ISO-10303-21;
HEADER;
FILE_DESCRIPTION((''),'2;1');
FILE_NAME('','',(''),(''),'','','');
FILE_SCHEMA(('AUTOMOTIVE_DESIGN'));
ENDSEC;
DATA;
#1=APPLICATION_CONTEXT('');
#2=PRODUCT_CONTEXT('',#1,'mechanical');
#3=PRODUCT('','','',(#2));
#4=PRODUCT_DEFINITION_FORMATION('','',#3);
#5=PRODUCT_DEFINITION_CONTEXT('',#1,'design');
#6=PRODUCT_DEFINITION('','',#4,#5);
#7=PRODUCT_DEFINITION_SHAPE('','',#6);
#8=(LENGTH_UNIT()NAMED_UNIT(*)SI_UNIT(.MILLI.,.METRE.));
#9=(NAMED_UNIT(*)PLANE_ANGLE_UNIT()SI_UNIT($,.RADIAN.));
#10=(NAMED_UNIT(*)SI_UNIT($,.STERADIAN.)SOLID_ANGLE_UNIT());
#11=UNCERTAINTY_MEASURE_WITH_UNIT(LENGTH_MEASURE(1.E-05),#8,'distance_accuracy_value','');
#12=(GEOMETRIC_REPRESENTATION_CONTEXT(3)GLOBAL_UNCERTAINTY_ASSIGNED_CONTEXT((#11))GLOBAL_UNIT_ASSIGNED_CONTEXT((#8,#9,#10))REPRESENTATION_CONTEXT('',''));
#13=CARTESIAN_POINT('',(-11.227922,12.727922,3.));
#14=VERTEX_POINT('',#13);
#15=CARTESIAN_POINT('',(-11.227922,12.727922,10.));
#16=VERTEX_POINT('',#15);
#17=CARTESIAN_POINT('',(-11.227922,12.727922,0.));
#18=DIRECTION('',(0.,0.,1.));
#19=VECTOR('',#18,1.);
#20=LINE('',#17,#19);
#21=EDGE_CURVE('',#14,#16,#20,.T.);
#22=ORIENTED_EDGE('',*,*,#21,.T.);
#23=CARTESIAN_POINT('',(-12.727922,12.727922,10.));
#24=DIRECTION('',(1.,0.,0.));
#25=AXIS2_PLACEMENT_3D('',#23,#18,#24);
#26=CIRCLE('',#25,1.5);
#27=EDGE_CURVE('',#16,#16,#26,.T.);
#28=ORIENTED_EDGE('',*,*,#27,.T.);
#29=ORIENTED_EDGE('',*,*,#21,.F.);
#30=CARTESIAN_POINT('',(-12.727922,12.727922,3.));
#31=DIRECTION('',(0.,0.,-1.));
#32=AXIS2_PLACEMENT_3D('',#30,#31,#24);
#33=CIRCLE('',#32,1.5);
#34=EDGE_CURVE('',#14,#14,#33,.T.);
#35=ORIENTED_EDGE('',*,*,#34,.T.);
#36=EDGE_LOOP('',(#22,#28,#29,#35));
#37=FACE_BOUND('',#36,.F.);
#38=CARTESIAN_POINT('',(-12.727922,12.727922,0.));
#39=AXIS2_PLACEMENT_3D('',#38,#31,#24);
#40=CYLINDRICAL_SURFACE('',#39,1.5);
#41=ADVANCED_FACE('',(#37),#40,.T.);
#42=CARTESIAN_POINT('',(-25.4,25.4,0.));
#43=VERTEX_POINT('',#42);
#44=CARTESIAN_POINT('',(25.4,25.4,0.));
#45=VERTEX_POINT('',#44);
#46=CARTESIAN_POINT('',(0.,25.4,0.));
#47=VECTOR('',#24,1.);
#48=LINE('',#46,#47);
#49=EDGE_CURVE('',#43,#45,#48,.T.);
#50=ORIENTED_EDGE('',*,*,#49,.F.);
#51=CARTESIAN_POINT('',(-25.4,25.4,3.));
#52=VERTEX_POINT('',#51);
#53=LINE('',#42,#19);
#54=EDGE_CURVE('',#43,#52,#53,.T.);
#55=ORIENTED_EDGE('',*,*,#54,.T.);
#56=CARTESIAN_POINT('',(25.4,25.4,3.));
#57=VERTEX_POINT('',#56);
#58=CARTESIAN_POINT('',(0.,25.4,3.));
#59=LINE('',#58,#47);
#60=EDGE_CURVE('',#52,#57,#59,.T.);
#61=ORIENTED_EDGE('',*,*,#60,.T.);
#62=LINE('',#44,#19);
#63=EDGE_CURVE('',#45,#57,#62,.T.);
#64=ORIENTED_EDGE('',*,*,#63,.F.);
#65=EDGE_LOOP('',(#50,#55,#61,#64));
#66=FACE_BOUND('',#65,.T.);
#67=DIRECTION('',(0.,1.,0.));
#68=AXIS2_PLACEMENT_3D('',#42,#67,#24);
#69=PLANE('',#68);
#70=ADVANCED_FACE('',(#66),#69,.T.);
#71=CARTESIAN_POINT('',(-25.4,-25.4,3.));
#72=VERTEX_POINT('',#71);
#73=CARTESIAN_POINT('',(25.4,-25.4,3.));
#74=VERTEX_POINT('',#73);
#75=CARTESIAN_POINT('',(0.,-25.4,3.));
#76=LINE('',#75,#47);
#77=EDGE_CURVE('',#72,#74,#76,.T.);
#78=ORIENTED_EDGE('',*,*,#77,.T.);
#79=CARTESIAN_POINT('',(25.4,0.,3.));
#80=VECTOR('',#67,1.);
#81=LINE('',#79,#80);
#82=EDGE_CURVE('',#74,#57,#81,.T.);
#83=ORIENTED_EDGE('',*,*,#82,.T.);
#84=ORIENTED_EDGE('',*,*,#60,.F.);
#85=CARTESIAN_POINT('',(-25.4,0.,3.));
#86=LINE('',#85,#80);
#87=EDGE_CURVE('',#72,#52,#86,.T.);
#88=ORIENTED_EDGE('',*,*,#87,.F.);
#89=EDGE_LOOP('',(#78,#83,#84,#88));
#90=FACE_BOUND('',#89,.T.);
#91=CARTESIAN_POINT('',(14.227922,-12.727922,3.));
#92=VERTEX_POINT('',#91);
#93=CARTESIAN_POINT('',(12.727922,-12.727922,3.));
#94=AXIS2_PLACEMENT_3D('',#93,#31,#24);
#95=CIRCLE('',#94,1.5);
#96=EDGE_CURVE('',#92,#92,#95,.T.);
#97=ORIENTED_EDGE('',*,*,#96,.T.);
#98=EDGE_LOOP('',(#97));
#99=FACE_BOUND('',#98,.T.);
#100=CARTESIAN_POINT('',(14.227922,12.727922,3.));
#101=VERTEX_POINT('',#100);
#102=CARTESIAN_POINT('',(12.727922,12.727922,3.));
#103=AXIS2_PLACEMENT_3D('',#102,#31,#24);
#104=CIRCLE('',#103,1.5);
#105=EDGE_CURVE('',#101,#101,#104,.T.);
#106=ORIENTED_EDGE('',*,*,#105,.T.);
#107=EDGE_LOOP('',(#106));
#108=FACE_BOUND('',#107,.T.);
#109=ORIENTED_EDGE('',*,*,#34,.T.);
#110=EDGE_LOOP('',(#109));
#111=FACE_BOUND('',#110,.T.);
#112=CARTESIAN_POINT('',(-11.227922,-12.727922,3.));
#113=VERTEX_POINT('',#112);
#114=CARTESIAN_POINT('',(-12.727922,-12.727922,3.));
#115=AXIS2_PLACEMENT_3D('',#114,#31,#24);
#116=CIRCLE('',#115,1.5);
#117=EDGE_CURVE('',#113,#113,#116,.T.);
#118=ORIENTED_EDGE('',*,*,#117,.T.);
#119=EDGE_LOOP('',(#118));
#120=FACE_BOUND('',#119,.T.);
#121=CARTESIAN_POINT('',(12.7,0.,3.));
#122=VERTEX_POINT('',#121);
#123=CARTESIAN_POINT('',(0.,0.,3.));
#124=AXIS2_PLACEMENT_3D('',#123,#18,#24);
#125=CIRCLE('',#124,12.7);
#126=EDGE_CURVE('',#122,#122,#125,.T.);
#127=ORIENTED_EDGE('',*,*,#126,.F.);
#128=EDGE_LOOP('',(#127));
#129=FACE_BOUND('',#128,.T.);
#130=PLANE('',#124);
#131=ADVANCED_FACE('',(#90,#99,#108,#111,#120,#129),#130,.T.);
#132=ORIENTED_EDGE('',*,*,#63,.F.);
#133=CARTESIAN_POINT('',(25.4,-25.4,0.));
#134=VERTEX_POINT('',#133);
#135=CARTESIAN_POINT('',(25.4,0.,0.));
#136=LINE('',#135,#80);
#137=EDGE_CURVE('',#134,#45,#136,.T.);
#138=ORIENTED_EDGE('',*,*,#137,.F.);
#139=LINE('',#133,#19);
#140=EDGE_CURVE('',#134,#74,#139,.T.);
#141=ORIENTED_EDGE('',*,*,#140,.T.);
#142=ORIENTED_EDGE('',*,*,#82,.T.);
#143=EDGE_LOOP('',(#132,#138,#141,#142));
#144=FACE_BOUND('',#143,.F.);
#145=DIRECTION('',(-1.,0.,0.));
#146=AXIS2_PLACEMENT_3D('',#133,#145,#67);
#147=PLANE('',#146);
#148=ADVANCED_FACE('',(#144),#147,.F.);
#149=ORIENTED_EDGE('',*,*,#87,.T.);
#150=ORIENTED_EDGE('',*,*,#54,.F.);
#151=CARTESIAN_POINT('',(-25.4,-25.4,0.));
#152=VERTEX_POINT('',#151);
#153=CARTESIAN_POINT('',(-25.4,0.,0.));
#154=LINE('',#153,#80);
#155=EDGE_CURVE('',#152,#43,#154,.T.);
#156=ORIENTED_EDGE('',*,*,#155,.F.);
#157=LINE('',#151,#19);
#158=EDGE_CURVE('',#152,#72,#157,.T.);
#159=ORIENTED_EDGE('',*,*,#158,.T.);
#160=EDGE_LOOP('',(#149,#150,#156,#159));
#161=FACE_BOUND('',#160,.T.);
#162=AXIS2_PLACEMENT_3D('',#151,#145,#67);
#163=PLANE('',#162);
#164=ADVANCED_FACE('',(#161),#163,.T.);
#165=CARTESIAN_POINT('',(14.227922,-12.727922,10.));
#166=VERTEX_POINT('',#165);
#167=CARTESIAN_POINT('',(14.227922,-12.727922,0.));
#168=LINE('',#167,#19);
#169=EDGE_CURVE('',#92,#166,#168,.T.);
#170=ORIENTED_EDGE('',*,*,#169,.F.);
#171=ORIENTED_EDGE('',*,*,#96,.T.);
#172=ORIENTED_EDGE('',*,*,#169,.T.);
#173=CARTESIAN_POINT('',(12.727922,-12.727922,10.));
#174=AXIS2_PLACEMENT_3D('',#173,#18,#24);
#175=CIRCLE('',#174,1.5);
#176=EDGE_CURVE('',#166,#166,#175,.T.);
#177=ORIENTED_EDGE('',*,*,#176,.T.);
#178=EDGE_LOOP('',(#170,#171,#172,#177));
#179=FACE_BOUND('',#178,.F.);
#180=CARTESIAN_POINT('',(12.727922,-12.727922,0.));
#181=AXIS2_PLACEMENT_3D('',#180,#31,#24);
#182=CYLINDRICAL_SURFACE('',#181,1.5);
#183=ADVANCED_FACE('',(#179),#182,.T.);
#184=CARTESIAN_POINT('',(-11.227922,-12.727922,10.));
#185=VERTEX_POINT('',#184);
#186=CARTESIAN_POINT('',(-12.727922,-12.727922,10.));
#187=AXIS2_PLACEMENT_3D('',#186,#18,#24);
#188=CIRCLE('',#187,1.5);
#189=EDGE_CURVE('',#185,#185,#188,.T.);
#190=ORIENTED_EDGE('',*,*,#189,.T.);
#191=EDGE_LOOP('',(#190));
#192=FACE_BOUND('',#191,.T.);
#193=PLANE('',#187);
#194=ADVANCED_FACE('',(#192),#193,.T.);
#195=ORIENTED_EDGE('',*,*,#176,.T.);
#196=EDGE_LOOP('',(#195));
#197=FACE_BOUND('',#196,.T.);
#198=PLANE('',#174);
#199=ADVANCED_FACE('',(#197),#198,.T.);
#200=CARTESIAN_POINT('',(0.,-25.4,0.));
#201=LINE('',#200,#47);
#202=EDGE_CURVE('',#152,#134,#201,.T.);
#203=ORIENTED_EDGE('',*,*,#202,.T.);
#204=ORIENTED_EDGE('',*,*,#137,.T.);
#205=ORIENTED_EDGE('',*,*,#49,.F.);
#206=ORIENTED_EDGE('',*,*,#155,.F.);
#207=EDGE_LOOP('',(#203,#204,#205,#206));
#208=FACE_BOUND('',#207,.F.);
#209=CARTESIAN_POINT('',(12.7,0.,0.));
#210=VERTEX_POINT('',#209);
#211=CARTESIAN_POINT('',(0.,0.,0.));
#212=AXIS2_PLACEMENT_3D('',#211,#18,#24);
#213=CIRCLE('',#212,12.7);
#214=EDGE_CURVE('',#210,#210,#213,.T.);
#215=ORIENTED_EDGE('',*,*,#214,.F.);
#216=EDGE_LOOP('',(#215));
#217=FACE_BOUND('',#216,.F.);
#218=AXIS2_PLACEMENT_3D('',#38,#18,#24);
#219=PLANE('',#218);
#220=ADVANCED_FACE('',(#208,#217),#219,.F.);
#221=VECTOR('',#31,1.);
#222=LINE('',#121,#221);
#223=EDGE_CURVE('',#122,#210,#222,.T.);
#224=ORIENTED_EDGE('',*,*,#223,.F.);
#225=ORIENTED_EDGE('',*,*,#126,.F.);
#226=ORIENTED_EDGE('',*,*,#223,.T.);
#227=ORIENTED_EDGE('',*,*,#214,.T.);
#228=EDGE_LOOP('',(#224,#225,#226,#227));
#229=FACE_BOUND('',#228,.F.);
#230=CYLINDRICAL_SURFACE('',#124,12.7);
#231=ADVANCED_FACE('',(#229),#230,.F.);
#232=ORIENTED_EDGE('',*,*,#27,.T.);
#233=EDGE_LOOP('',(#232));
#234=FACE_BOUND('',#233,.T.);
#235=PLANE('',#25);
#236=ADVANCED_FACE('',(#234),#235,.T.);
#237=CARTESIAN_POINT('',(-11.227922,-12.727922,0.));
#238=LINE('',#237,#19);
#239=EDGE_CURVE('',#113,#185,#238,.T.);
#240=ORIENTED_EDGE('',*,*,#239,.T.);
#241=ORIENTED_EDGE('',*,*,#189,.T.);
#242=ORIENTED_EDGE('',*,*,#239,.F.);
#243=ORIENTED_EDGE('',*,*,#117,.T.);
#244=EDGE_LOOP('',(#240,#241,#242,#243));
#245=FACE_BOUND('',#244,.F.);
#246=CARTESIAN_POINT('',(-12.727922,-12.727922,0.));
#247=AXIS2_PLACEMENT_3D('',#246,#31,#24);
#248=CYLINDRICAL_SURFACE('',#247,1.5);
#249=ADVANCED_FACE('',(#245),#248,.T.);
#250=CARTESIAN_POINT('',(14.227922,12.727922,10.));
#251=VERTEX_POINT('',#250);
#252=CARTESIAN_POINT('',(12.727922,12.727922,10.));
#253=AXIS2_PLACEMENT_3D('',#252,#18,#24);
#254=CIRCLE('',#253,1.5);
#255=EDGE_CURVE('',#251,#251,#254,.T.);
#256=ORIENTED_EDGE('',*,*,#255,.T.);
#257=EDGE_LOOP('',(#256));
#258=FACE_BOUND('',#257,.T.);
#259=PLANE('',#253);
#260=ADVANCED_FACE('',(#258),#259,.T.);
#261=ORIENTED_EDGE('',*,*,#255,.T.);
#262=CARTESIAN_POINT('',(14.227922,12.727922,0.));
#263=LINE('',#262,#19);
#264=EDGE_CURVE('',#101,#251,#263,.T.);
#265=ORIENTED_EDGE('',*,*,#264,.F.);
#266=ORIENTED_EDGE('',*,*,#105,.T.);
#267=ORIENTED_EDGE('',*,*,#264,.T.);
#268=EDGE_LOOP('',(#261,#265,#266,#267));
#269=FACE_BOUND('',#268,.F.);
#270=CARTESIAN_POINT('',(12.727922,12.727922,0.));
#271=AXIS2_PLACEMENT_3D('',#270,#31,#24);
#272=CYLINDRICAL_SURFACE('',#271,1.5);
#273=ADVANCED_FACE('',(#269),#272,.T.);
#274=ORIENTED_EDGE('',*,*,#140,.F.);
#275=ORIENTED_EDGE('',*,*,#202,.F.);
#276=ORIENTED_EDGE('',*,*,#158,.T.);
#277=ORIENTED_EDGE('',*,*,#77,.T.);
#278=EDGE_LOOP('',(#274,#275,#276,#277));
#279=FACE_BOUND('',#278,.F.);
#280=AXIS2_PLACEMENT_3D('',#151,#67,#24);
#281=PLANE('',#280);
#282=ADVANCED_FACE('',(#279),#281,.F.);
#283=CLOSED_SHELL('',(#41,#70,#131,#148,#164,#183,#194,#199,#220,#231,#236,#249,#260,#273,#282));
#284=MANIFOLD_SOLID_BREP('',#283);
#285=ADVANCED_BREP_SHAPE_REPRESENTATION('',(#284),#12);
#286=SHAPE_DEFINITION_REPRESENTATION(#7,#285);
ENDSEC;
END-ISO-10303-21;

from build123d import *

# Parameters (mm, degrees)
F0_W     = 50.8
F0_H     = 50.8
F1_DEPTH = 3
F2_R     = 1.5
F3_DEPTH = 10
F4_R     = 12.7
F5_DEPTH = 25.4


with BuildPart() as f1:
    # F0 (on Top) → F1 (new body)
    with BuildSketch(Plane.XY):
        Rectangle(F0_W, F0_H)
    extrude(amount=F1_DEPTH)

    # F2 (on Top) → F3 (join)
    with BuildSketch(Plane.XY):
        with Locations((-12.727922, 12.727922)):
            Circle(F2_R)
        with Locations((-12.727922, -12.727922)):
            Circle(F2_R)
        with Locations((12.727922, -12.727922)):
            Circle(F2_R)
        with Locations((12.727922, 12.727922)):
            Circle(F2_R)
    extrude(amount=F3_DEPTH)

    # F4 (on face) → F5 (cut)
    with BuildSketch(Plane.XY.offset(3)):
        Circle(F4_R)
    extrude(amount=-F5_DEPTH, mode=Mode.SUBTRACT)


solid = f1.part
